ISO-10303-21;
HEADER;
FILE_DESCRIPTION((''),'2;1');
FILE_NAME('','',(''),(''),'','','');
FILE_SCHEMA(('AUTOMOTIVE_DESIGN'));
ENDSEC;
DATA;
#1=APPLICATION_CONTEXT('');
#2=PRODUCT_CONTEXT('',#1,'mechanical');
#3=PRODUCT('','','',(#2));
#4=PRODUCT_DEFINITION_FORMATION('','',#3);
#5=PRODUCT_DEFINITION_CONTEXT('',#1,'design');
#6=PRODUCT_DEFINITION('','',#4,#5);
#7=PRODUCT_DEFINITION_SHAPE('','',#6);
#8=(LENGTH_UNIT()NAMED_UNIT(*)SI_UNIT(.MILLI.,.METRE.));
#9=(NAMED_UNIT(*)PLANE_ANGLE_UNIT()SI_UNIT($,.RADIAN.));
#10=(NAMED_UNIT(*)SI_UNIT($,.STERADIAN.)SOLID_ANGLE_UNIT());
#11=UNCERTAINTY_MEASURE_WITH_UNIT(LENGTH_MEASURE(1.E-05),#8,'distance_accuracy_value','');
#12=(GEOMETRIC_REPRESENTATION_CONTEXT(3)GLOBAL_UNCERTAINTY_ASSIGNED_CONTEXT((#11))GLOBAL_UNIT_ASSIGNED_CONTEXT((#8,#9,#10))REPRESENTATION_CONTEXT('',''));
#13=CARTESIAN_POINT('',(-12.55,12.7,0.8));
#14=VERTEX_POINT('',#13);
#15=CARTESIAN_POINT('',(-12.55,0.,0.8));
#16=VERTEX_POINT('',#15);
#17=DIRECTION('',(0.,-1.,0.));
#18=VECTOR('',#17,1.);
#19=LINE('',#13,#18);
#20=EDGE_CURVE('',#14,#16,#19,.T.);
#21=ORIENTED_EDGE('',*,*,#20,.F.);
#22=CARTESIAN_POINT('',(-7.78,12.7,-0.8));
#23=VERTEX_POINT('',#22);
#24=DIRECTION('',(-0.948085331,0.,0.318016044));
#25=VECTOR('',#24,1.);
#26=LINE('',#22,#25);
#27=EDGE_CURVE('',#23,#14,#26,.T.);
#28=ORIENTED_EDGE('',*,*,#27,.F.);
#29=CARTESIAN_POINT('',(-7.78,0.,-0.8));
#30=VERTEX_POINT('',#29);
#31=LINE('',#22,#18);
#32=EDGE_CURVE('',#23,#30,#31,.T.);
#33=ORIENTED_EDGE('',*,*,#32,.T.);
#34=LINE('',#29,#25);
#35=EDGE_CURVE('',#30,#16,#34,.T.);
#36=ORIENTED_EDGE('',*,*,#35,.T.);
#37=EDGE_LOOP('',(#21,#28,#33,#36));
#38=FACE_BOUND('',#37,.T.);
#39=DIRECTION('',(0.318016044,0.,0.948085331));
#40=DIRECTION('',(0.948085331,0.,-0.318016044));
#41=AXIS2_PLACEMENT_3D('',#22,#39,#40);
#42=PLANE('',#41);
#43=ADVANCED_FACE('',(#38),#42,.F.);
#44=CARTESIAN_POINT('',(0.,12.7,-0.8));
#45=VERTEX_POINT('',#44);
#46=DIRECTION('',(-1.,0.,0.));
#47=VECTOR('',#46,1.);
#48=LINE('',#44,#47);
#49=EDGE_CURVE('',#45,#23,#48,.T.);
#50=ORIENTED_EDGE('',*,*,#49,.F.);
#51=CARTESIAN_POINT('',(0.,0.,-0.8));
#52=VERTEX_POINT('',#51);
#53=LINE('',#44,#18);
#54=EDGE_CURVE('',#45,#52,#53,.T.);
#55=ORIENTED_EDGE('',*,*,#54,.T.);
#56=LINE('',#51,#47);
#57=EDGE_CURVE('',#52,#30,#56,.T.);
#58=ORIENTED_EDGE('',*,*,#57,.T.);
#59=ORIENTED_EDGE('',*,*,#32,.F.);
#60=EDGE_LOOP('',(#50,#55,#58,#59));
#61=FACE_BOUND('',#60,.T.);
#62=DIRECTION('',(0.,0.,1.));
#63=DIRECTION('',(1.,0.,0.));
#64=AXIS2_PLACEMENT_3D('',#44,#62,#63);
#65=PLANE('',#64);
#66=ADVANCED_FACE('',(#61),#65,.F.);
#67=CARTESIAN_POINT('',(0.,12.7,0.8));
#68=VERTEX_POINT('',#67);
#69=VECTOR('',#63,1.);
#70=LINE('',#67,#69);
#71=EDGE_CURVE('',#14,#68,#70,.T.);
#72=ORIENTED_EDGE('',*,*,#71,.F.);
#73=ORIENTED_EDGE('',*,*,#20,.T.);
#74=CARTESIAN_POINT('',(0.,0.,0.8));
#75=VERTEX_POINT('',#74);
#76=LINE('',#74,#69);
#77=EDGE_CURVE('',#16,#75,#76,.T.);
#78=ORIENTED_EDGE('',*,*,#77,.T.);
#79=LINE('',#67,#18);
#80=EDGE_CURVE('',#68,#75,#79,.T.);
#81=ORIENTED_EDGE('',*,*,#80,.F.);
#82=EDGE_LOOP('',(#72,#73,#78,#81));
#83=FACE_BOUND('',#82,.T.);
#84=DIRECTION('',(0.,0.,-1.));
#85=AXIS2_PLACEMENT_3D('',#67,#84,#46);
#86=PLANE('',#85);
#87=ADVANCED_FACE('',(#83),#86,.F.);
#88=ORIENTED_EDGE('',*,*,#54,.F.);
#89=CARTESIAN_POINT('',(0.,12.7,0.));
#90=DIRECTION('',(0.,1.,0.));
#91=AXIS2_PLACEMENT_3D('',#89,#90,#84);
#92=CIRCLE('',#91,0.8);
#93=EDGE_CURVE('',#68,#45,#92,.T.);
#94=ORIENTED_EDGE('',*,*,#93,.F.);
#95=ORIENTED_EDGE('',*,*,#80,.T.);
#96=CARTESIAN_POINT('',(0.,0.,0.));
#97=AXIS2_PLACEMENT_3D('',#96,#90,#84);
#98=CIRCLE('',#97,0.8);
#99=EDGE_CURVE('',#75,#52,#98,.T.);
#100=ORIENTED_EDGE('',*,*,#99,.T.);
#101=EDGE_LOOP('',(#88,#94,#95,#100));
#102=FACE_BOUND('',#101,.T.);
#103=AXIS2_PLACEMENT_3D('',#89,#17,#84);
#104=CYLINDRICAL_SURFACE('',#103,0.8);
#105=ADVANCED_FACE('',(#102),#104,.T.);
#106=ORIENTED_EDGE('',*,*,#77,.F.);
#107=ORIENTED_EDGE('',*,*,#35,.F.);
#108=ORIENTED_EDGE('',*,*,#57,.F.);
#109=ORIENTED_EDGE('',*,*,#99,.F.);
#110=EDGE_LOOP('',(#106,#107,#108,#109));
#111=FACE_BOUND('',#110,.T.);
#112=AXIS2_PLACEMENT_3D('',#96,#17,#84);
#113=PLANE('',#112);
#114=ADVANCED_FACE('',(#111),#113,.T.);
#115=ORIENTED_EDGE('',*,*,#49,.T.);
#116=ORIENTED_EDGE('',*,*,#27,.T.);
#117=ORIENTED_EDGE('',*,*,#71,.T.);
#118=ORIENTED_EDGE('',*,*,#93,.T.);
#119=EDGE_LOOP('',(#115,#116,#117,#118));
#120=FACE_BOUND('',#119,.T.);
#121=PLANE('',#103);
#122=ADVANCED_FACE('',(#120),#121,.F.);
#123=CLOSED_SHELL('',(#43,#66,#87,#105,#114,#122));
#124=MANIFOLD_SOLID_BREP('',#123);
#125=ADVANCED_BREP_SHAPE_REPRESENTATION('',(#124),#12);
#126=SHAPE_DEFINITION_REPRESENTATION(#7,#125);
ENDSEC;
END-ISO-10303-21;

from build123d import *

# Parameters (mm, degrees)
BOSS_EXTRUDE1_DEPTH = 12.7


with BuildPart() as part:
    # Sketch1 → Boss-Extrude1 (new body)
    with BuildSketch(Plane(origin=(0, 0, 0), x_dir=(1, 0, 0), z_dir=(0, 1, 0))):
        with BuildLine():
            Line((0, -0.8), (-12.55, -0.8))
            Line((-12.55, -0.8), (-7.78, 0.8))
            Line((-7.78, 0.8), (0, 0.8))
            ThreePointArc((0, 0.8), (0.8, 0), (0, -0.8))
        make_face()
    extrude(amount=BOSS_EXTRUDE1_DEPTH)


solid = part.part
